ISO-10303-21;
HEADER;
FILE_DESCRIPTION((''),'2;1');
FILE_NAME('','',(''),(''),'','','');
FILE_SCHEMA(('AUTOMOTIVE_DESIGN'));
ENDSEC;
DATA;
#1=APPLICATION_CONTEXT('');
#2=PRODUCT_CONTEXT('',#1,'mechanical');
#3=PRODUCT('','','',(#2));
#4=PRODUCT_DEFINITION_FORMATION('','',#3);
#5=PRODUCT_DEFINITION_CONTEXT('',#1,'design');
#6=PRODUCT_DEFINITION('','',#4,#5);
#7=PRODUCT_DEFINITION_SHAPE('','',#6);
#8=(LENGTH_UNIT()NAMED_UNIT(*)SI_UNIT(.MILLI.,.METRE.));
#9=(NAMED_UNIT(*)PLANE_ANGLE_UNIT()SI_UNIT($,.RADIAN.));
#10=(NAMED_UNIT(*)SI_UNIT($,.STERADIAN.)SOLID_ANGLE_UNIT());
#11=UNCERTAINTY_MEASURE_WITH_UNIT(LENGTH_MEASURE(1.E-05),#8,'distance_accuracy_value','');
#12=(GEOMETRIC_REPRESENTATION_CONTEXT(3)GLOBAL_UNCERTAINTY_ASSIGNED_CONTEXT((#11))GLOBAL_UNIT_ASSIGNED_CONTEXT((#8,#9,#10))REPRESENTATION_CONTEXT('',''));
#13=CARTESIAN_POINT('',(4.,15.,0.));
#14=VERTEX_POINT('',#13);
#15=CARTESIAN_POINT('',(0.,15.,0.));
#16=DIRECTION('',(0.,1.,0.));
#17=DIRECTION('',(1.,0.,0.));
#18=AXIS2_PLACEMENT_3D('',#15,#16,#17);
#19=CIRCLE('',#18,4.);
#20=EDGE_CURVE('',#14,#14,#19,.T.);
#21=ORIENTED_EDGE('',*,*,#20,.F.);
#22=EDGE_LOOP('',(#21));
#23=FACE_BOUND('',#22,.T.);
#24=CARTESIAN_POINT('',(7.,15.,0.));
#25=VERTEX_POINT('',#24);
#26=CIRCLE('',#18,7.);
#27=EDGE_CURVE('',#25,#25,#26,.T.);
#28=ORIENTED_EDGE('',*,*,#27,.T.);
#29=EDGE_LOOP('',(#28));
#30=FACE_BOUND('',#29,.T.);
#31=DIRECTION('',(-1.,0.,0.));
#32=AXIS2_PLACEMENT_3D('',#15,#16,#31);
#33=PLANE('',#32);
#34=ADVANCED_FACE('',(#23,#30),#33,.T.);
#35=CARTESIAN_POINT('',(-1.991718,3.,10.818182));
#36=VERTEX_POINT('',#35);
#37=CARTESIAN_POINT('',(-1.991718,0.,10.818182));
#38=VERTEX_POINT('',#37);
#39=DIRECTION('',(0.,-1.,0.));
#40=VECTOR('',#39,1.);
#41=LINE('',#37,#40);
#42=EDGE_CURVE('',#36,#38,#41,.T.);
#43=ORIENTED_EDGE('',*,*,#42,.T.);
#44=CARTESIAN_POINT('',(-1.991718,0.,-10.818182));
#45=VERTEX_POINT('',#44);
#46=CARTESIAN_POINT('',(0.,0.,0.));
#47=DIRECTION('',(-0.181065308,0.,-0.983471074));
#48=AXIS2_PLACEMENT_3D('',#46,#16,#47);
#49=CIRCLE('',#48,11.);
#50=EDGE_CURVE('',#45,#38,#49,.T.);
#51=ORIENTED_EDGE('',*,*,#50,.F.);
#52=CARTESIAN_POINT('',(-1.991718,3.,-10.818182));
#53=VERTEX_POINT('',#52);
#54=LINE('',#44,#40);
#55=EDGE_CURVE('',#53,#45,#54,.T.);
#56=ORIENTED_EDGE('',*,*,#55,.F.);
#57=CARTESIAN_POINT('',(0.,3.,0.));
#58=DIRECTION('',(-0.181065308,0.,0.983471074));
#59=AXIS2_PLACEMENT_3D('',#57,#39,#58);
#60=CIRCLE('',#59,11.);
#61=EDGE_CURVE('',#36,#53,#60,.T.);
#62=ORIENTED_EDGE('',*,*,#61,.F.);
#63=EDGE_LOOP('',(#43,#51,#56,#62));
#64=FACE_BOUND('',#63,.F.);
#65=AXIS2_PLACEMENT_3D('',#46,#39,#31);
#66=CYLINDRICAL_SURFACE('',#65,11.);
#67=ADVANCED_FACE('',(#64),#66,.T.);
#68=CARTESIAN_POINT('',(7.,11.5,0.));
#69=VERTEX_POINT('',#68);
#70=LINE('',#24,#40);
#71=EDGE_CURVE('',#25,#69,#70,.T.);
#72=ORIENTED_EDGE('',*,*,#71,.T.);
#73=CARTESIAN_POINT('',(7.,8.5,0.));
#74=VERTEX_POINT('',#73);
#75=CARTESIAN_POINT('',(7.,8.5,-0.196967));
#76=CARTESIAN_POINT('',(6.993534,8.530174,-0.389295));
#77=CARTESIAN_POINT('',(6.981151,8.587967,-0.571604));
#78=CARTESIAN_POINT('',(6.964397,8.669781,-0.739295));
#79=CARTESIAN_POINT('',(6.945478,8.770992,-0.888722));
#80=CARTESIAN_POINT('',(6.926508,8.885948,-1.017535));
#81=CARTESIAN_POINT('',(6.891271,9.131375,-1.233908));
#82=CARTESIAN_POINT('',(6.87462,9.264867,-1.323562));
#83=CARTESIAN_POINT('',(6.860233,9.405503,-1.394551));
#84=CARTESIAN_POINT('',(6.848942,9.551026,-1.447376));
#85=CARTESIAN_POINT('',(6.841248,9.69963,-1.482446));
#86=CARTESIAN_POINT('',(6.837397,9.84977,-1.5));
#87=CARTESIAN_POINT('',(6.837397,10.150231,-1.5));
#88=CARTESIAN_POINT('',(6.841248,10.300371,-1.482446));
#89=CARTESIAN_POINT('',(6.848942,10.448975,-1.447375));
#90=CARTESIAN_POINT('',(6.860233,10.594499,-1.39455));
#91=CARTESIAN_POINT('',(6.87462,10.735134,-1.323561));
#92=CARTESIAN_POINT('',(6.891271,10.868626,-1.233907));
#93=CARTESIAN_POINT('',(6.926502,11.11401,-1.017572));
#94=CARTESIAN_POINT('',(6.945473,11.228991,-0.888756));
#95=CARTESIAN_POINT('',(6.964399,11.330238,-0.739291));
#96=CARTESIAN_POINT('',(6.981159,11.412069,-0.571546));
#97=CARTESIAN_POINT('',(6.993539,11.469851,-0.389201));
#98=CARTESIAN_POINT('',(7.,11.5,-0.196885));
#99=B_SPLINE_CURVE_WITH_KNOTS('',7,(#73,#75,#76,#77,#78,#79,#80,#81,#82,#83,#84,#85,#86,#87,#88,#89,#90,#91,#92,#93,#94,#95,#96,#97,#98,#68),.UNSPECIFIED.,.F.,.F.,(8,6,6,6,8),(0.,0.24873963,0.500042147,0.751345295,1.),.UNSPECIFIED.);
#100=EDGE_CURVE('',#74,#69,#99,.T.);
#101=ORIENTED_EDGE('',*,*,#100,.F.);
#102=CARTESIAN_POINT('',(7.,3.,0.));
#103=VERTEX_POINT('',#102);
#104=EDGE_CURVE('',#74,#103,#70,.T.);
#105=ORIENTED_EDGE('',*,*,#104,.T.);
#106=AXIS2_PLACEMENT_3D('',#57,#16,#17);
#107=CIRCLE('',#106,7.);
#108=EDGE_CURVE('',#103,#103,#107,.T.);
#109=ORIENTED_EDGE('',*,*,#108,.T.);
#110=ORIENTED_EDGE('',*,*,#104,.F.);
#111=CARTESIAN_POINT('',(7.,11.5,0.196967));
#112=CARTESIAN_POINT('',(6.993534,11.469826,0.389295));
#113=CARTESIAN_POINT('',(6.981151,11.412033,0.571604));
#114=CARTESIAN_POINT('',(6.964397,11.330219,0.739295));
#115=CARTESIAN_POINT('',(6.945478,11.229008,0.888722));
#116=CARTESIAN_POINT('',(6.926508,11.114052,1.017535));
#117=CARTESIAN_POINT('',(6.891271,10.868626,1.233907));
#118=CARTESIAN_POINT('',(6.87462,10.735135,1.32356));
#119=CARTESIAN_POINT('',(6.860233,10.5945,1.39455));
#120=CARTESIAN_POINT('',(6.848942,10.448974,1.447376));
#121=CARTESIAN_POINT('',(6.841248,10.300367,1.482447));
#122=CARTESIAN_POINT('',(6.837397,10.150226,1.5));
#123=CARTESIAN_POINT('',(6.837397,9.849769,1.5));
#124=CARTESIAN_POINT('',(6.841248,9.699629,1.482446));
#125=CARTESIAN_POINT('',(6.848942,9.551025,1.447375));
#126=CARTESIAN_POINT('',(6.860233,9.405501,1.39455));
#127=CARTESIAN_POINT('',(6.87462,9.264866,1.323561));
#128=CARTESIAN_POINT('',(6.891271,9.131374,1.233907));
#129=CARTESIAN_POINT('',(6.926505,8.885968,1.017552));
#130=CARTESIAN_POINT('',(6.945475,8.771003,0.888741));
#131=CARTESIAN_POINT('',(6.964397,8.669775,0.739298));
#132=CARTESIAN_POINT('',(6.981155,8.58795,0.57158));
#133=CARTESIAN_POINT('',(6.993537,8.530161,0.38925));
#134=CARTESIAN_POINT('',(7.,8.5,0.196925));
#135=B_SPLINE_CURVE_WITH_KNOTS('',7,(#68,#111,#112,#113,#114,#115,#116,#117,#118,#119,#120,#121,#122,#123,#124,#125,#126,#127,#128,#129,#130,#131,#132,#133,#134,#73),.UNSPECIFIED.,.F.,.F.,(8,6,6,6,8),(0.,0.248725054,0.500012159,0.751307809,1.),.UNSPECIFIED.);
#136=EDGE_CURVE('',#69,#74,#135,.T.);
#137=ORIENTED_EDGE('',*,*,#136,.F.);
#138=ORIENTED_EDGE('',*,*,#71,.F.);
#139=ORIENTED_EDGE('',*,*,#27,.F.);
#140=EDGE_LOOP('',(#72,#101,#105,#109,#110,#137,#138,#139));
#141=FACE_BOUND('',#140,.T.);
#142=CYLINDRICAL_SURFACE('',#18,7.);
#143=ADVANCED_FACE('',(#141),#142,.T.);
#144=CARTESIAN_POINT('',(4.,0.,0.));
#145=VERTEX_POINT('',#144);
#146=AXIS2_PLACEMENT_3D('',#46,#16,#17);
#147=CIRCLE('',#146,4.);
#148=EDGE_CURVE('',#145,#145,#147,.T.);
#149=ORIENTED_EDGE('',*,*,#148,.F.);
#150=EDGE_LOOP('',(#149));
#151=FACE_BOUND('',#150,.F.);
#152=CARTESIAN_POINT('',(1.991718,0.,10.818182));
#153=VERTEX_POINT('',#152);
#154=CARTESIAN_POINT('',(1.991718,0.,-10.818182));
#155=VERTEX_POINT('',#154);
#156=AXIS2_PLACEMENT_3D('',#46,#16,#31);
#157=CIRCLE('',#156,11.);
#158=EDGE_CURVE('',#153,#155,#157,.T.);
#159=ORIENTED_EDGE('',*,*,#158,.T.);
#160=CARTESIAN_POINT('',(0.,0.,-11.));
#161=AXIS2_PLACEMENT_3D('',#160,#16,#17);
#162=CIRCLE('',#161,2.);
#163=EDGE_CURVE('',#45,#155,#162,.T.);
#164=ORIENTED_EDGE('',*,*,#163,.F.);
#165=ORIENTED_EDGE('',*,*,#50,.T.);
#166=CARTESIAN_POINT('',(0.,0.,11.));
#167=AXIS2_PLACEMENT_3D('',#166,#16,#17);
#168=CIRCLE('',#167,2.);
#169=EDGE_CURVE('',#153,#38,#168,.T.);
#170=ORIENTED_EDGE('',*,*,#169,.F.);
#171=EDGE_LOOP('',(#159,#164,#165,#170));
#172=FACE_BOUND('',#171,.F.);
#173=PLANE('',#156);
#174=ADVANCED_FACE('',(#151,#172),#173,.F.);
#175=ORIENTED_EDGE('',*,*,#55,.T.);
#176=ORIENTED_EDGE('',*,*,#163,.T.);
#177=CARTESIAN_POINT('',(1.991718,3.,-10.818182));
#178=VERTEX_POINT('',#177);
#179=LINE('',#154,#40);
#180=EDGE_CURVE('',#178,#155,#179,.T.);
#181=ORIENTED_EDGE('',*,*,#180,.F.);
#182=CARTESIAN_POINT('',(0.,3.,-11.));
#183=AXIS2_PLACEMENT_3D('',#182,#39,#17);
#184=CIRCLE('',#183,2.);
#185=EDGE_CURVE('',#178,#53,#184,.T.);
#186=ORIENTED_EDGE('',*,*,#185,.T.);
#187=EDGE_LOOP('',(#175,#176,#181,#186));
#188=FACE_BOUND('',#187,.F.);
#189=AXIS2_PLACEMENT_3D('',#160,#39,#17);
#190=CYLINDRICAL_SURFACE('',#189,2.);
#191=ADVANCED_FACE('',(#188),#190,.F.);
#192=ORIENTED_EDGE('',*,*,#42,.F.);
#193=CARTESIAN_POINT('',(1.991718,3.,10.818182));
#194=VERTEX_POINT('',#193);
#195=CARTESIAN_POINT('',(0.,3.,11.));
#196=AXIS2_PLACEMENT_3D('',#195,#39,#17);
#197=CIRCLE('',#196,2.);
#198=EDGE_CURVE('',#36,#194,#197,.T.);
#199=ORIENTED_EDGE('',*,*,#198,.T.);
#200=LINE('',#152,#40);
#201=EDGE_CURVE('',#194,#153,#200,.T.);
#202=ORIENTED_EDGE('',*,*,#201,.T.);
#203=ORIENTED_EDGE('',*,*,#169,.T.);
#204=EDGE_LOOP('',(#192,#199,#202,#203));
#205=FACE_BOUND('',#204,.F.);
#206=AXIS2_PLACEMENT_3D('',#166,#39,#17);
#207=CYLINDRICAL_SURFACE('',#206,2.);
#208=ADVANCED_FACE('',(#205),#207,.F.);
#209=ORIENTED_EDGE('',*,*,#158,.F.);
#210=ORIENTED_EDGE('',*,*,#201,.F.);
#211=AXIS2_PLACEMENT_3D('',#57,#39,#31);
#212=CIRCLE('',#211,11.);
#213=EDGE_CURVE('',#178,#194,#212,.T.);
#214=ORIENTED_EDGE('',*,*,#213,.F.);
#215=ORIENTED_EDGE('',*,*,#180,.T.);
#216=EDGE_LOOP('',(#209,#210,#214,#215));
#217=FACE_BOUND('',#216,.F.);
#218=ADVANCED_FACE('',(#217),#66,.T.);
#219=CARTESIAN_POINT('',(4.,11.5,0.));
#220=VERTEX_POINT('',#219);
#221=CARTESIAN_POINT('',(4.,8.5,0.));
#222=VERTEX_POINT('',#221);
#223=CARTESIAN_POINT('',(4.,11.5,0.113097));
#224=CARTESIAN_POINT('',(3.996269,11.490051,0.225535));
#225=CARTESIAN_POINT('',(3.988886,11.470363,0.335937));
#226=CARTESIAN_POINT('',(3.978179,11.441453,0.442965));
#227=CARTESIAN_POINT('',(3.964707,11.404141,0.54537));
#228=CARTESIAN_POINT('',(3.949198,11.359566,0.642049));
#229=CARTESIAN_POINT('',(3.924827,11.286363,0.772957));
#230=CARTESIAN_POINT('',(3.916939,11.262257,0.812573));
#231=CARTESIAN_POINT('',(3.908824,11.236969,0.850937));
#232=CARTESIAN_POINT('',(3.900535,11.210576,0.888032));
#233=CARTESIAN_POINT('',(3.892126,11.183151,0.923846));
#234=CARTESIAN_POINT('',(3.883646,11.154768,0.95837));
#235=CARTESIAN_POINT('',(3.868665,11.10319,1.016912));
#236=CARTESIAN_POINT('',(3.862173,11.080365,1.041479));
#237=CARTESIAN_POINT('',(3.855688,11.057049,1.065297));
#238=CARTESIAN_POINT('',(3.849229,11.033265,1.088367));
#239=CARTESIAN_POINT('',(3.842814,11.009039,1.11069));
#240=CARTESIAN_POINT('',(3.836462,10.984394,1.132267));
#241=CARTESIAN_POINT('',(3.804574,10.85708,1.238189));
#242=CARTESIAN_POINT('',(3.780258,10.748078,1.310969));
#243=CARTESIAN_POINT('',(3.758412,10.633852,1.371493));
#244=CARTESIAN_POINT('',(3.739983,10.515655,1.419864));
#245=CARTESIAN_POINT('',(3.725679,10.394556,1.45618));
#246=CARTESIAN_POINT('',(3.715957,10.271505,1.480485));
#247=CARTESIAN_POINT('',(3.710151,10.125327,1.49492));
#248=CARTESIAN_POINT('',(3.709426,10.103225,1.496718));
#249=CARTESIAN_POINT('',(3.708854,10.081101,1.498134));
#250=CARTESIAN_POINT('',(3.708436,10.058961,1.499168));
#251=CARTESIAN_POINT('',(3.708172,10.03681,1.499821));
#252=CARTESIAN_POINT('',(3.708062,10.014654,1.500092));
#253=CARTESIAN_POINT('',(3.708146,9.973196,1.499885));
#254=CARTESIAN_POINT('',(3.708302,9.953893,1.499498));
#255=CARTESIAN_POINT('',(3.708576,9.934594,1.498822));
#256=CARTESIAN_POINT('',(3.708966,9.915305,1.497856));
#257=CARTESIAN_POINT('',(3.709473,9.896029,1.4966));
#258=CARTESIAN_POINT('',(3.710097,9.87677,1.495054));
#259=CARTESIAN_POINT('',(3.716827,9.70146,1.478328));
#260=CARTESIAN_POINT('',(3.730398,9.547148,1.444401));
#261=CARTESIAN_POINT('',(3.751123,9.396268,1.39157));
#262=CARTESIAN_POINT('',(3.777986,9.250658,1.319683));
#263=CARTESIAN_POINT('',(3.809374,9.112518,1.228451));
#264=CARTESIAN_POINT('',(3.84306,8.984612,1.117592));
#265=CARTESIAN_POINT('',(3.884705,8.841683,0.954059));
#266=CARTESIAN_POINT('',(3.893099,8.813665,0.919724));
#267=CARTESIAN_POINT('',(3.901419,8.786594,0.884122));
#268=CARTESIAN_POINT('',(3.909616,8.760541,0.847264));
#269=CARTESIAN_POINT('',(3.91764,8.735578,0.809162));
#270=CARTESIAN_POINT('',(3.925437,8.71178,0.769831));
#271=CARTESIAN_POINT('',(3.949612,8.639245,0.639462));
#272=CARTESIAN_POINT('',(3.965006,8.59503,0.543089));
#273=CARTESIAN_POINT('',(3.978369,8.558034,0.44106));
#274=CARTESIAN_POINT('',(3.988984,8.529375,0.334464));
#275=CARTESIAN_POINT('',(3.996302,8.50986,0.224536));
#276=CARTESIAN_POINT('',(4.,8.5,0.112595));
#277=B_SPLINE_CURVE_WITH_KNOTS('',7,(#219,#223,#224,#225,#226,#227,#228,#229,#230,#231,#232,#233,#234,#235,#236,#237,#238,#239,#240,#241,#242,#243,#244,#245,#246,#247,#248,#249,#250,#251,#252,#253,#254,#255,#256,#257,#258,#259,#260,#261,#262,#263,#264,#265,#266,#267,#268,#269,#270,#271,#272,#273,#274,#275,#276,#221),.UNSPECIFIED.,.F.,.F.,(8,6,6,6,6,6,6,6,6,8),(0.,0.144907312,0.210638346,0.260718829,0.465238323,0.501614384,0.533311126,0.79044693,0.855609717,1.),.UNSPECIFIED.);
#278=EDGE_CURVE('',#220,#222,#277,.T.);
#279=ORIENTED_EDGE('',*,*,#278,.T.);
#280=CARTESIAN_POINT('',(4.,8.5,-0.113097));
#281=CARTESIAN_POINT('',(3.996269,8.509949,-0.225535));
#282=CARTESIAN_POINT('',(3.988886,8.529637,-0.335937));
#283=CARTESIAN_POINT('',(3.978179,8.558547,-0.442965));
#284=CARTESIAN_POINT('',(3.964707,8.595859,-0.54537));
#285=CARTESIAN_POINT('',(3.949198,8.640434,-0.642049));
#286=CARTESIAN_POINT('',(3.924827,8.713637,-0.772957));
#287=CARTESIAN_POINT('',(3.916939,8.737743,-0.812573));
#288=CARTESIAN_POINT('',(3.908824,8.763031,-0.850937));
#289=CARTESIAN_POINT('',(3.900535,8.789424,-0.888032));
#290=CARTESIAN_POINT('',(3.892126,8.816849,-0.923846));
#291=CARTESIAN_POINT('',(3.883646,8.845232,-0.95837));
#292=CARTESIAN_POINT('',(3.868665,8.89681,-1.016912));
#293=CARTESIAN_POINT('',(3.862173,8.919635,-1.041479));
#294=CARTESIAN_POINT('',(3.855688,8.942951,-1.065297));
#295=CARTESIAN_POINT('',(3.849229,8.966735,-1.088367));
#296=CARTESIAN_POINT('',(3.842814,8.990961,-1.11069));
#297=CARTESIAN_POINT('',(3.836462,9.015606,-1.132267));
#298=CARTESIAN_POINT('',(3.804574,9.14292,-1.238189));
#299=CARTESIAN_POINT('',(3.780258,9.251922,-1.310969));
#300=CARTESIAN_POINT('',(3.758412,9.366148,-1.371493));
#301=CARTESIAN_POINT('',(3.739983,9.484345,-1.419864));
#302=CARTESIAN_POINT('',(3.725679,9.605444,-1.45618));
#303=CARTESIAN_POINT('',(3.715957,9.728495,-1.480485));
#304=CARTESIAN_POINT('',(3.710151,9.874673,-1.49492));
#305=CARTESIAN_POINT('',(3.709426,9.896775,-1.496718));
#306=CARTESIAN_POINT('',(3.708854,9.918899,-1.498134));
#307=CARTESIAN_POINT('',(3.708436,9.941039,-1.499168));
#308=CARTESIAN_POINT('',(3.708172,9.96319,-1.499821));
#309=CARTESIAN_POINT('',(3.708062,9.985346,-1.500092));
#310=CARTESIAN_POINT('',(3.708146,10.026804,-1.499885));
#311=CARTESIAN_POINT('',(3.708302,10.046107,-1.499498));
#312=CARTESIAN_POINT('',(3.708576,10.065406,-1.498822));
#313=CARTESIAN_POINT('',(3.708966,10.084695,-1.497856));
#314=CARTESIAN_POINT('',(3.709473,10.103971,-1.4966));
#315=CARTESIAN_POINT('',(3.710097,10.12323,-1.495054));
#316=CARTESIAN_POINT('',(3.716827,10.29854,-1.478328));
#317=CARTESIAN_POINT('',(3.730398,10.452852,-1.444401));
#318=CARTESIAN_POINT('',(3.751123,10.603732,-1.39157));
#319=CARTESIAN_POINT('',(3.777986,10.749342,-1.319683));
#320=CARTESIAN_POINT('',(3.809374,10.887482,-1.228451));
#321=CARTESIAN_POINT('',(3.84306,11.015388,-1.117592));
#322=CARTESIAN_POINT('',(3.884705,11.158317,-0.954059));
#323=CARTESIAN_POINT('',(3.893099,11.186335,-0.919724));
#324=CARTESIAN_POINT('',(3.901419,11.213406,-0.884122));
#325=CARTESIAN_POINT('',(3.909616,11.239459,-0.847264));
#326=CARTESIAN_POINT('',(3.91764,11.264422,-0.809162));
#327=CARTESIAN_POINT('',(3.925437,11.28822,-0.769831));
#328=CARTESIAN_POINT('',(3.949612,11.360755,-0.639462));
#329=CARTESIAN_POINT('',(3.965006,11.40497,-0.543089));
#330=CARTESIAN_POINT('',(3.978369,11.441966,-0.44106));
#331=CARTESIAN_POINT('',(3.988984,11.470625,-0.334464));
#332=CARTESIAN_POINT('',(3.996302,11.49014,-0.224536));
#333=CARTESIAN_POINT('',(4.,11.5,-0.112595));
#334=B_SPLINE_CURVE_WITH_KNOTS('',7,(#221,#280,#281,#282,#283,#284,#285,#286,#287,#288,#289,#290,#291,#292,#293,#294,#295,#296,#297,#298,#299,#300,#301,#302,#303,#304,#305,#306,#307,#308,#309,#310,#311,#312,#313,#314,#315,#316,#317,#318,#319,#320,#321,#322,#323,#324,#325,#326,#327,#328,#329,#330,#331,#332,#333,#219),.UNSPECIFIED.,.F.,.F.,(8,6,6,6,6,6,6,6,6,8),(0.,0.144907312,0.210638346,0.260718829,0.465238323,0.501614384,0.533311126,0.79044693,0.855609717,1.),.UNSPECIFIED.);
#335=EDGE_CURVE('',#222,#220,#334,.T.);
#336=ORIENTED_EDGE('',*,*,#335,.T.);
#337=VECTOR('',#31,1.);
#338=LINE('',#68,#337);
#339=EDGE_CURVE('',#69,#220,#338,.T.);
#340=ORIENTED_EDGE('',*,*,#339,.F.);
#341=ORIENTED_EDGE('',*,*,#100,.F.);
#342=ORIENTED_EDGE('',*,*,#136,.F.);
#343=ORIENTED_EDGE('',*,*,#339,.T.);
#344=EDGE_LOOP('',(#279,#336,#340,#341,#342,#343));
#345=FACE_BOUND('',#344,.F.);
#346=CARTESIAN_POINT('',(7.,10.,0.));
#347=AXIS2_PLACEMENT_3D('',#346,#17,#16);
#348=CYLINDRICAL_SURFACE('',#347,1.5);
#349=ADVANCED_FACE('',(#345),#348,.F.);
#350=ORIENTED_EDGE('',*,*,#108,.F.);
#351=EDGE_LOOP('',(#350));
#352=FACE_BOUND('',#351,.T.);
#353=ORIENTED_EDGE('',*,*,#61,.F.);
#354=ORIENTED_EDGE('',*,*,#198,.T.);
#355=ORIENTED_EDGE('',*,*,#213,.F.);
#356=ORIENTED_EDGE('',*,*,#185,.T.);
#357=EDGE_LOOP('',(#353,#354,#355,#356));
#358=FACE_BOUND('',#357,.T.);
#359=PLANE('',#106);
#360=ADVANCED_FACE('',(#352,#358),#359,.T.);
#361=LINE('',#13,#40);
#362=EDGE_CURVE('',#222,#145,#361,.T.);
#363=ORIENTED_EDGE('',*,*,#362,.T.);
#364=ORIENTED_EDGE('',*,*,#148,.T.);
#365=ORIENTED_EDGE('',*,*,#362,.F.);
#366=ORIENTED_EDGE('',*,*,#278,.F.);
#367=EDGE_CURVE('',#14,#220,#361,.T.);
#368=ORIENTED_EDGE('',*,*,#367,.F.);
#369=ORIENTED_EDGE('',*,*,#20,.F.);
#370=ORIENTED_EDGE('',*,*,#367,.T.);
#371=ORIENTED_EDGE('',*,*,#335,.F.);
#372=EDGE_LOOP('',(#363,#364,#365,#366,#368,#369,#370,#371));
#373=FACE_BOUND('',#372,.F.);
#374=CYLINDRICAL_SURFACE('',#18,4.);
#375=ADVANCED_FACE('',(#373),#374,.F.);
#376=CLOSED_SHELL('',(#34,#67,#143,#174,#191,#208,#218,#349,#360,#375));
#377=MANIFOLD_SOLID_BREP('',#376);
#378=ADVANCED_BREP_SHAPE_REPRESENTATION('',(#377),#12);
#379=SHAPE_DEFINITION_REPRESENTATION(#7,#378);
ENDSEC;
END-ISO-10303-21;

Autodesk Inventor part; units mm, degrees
ref_plane "XZ Plane" through (0, 0, 0) normal (0, 1, 0) x (-1, 0, 0)
ref_plane "XY Plane" through (0, 0, 0) normal (0, 0, 1) x (1, 0, 0)
sketch "Esquisse1" plane through (0, 0, 0) normal (0, 1, 0) x (-1, 0, 0)
  circle A0 centre (0, 0) radius 11
  dimension "d0" = 22
extrude "Extrusion1" add sketch "Esquisse1" along normal blind 15
sketch "Esquisse2" plane through (0, 15, 0) normal (0, 1, 0) x (1, 0, 0)
  circle A0 centre (0, 0) radius 11 projected
  circle A1 centre (0, 0) radius 7
  dimension "d3" = 14
extrude "Extrusion2" cut sketch "Esquisse2" against normal blind 12
sketch "Esquisse3" plane through (0, 15, 0) normal (0, 1, 0) x (1, 0, 0)
  circle A0 centre (0, 0) radius 7 projected
  circle A1 centre (0, 0) radius 4
  dimension "d6" = 8
extrude "Extrusion3" cut sketch "Esquisse3" against normal through all contours A1
sketch "Esquisse4" plane through (0, 0, 0) normal (0, -1, 0) x (1, 0, 0)
  circle A0 centre (0, 0) radius 11 projected
  circle A1 centre (0, 11) radius 2
  circle A2 centre (0, -11) radius 2
  dimension "d9" = 4
  dimension "d10" = 4
extrude "Extrusion4" cut sketch "Esquisse4" against normal through all contours A1 A0 | A0 A1 | A2 A0 | A0 A2
ref_plane "Plan de construction1" through (7, 15, 0) normal (1, 0, 0) x (0, 1, 0)
sketch "Esquisse5" plane through (7, 15, 0) normal (1, 0, 0) x (0, 1, 0)
  circle A0 centre (-5, 0) radius 1.5
  line L0 (0, -7) -> (0, 7) projected
  point P0 (-15, 0)
  dimension "d13" = 3
  dimension "d16" = 5
extrude "Extrusion5" cut sketch "Esquisse5" against normal blind 5
thread "Filetage1" size "M3x0.5" class "6H" standard "ANSI Metric M Profile" full length
equation "\"d10\" = d9"
properties part number "Raccord-Mat-Potence" material "Aluminium 6061"
